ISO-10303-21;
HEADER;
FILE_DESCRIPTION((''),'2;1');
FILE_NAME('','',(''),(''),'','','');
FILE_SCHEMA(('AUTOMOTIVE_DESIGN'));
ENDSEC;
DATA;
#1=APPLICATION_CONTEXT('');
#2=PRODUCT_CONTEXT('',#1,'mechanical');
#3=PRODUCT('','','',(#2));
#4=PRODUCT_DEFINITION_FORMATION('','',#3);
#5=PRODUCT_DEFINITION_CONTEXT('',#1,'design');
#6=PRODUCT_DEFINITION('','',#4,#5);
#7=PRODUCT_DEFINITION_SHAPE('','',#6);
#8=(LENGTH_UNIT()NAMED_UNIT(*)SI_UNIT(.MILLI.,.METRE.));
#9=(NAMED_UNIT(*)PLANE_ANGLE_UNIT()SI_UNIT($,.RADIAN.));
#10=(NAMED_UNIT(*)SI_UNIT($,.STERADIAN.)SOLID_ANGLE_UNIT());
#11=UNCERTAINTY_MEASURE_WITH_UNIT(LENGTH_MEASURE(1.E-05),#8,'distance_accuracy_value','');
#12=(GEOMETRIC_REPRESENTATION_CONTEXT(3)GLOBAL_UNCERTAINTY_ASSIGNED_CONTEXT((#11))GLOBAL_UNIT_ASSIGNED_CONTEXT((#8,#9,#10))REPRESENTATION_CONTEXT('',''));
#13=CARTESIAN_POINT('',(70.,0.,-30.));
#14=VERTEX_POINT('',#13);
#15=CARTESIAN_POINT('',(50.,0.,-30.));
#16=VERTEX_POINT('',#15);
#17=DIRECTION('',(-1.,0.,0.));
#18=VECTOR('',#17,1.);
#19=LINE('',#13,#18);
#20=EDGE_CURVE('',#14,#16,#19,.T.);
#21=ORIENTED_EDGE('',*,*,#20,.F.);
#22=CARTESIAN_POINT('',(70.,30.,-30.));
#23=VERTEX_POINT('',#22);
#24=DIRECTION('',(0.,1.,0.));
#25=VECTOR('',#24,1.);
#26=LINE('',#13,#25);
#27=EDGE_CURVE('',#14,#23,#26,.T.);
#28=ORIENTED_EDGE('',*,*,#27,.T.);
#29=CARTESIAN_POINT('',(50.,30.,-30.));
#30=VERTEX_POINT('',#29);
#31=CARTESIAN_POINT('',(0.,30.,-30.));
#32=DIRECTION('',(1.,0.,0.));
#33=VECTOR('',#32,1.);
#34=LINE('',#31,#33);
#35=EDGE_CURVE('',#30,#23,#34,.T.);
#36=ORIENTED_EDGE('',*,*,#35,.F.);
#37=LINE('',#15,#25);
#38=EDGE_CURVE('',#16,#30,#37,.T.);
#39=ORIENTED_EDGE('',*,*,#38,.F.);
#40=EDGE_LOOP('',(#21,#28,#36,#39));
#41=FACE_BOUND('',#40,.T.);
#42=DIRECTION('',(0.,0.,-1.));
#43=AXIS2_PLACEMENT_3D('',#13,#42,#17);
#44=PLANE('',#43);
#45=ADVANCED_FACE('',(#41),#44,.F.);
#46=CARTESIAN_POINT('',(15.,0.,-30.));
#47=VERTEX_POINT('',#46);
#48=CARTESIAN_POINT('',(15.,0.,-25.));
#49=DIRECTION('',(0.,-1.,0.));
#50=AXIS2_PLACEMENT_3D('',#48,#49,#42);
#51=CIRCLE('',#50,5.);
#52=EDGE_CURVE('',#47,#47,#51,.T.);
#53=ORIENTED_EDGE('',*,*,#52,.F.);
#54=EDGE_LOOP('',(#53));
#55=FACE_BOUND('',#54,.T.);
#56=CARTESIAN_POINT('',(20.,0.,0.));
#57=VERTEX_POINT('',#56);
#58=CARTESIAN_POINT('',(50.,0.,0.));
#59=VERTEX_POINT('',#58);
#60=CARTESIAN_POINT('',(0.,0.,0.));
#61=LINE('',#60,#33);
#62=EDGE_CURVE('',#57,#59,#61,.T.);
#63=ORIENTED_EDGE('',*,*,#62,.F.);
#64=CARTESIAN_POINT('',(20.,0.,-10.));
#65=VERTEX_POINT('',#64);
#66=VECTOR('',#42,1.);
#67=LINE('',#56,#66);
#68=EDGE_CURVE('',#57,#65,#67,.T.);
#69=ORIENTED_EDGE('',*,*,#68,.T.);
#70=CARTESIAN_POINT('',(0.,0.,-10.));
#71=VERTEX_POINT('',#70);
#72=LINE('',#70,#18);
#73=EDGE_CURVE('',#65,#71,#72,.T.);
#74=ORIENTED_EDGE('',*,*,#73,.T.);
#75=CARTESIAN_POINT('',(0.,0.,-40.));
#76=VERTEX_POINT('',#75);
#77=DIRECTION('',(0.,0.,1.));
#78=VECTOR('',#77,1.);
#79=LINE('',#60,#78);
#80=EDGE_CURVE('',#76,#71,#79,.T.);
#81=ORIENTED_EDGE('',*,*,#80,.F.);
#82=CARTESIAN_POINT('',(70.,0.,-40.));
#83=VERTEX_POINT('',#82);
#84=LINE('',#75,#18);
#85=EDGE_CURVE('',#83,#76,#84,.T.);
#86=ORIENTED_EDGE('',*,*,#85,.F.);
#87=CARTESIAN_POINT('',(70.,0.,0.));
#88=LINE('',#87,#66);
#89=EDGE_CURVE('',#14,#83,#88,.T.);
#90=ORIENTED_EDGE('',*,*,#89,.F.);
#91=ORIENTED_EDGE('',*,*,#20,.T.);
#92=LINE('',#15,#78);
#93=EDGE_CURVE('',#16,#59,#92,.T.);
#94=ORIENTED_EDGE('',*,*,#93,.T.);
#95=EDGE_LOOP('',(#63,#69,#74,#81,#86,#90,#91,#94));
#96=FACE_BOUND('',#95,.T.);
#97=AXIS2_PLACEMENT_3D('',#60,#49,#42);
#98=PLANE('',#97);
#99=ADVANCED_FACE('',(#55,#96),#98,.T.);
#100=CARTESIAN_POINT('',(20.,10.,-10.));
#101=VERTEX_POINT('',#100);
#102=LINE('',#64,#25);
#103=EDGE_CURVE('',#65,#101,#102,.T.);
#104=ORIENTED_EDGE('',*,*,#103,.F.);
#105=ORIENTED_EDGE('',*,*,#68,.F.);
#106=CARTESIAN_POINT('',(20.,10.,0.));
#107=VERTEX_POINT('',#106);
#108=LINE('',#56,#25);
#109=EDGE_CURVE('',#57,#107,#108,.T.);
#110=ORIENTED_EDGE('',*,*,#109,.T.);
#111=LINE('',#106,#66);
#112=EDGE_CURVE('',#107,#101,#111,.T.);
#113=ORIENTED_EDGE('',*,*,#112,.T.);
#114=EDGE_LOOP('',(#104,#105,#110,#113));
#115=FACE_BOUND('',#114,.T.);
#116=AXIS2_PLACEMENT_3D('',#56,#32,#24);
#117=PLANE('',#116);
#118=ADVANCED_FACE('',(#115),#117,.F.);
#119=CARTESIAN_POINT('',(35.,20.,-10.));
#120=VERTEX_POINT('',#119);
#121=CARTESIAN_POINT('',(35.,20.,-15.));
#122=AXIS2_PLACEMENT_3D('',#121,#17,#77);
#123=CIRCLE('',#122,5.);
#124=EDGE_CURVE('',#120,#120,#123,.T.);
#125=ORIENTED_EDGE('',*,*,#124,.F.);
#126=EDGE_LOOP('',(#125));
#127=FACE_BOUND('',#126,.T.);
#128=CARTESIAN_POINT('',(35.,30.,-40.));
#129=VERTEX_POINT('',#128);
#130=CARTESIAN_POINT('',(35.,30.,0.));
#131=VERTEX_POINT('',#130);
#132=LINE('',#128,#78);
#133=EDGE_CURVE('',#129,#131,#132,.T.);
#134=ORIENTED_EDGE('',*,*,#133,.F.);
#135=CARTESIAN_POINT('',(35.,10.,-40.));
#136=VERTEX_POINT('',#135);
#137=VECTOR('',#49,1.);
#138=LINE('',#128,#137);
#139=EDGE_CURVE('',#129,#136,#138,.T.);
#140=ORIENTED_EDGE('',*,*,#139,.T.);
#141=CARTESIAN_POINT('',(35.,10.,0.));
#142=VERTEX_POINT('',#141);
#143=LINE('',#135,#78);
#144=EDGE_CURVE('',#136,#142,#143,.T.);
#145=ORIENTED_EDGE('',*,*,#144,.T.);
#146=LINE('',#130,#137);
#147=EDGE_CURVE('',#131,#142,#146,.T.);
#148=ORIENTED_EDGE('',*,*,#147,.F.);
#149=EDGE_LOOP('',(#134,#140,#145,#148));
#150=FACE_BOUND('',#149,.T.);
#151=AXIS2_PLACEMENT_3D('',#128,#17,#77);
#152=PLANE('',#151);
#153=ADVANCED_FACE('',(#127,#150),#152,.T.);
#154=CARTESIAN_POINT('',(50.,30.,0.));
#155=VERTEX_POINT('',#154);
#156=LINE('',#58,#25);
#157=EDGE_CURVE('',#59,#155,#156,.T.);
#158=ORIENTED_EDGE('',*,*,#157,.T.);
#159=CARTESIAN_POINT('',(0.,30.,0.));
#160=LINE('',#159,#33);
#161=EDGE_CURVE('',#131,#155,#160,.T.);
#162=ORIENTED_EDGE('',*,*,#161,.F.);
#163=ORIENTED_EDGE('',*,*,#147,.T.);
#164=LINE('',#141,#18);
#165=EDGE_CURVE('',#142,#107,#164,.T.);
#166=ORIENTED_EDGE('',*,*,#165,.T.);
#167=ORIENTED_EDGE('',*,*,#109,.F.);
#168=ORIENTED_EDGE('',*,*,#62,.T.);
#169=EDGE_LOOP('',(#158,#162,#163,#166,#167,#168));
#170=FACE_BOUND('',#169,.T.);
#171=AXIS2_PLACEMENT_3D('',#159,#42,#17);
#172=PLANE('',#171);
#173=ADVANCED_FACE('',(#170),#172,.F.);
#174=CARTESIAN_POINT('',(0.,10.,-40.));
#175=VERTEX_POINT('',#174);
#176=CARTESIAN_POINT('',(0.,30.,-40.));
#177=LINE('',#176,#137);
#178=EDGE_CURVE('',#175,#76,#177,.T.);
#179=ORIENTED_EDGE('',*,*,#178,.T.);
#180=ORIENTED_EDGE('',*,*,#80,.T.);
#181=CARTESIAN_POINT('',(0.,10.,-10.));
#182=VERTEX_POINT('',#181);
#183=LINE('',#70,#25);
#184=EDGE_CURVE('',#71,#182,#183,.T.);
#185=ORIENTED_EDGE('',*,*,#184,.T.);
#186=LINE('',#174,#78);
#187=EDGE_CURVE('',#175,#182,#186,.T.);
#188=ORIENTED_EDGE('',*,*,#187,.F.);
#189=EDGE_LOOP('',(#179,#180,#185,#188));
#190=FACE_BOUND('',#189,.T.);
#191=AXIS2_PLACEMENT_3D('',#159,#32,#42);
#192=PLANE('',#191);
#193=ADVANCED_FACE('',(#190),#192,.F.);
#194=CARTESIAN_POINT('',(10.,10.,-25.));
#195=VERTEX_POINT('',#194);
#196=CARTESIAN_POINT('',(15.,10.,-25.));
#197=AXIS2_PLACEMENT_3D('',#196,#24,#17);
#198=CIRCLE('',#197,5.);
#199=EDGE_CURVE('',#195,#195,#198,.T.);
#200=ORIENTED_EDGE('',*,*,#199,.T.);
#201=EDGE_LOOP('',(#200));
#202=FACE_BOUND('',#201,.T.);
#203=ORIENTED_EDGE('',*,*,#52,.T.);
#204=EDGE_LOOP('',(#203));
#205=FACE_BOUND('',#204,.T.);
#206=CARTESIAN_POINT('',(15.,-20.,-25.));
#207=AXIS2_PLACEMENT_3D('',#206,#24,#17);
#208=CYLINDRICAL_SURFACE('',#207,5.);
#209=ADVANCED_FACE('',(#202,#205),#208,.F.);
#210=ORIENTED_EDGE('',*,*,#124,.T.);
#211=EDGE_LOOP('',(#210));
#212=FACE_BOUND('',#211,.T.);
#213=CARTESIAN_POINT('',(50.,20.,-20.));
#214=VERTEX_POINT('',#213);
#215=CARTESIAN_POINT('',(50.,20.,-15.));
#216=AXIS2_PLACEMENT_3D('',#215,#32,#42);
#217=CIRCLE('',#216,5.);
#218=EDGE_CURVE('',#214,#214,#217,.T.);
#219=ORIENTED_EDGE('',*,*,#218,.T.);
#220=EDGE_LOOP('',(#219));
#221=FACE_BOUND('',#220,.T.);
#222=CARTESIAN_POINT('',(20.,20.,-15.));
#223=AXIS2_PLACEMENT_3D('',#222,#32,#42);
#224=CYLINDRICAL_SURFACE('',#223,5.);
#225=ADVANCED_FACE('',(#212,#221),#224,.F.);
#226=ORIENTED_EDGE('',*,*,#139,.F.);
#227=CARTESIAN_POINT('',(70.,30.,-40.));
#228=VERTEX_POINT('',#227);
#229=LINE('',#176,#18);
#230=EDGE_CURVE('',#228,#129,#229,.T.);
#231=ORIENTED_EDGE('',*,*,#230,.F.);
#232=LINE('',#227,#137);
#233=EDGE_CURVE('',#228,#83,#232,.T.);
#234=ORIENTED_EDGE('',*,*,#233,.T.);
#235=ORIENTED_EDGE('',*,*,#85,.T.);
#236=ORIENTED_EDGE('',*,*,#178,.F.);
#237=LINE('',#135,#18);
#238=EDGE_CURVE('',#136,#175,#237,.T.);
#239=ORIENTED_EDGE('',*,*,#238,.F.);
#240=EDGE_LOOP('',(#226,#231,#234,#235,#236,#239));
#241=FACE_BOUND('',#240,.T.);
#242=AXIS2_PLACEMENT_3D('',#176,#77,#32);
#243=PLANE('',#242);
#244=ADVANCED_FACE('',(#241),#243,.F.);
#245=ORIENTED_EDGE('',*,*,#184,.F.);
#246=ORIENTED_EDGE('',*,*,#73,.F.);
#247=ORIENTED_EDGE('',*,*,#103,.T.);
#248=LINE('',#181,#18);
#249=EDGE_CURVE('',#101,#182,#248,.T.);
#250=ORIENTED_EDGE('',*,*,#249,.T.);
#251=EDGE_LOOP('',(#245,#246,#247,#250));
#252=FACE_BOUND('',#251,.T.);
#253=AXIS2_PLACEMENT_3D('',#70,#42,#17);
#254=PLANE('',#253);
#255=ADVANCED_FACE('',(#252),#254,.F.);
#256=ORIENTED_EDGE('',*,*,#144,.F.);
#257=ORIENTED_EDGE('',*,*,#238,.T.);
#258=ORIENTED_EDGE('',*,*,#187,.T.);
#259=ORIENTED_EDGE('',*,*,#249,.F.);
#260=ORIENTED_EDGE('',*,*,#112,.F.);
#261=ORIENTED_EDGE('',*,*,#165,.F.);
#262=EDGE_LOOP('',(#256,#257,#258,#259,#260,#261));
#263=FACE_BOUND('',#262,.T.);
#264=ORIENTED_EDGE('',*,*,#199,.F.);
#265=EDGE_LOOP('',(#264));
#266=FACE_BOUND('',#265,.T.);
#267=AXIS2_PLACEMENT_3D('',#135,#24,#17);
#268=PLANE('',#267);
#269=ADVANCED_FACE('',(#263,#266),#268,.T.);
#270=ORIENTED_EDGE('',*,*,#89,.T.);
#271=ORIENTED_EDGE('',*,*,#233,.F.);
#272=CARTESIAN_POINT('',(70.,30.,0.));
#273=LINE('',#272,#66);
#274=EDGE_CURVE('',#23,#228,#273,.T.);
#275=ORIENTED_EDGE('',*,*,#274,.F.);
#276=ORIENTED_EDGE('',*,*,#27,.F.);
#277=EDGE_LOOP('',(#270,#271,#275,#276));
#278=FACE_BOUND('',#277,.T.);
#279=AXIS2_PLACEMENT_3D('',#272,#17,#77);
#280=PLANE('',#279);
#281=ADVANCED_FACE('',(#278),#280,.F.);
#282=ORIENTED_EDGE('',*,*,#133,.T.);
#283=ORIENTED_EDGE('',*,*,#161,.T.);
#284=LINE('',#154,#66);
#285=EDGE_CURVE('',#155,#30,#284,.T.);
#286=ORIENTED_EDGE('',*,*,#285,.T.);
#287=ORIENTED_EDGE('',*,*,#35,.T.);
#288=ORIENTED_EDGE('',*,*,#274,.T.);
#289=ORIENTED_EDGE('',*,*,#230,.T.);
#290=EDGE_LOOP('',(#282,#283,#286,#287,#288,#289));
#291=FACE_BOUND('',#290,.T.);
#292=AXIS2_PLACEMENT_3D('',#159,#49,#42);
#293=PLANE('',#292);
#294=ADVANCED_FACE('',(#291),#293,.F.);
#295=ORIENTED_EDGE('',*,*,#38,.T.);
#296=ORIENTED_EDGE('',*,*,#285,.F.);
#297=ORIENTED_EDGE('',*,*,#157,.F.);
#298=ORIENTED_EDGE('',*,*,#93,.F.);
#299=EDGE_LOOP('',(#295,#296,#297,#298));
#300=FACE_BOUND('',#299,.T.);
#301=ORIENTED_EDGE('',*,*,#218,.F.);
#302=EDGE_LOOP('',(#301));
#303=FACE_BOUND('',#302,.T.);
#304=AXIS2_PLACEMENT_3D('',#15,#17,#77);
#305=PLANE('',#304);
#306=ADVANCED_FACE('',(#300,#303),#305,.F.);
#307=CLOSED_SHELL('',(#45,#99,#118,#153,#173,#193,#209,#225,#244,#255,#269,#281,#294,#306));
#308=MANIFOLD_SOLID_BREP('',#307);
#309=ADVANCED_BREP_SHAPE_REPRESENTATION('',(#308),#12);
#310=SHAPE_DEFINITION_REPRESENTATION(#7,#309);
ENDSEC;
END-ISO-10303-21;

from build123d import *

# Parameters (mm, degrees)
SKETCH1_W               = 70
SKETCH1_H               = 40
BOSS_EXTRUDE1_DEPTH     = 30
SKETCH3_W               = 20
SKETCH3_H               = 30
CUT_EXTRUDE1_DEPTH      = 1
CUT_EXTRUDE1_DEPTH_BACK = 31
SKETCH4_W               = 35
SKETCH4_H               = 20
CUT_EXTRUDE2_DEPTH      = 41
SKETCH5_R               = 5
CUT_EXTRUDE3_DEPTH      = 30
SKETCH6_W               = 20
SKETCH6_H               = 10
CUT_EXTRUDE4_DEPTH      = 11
SKETCH7_R               = 5
CUT_EXTRUDE5_DEPTH      = 30


with BuildPart() as part:
    # Sketch1 → Boss-Extrude1 (new body)
    with BuildSketch(Plane(origin=(0, 0, 0), x_dir=(1, 0, 0), z_dir=(0, 1, 0))):
        with Locations((35, 20)):
            Rectangle(SKETCH1_W, SKETCH1_H)
    extrude(amount=BOSS_EXTRUDE1_DEPTH)

    # Sketch3 → Cut-Extrude1 (cut, two sides)
    with BuildSketch(Plane(origin=(0, 30, 0), x_dir=(1, 0, 0), z_dir=(0, 1, 0))) as cut_extrude1_sk:
        with Locations((60, 15)):
            Rectangle(SKETCH3_W, SKETCH3_H)
    extrude(amount=CUT_EXTRUDE1_DEPTH, mode=Mode.SUBTRACT)
    extrude(cut_extrude1_sk.sketch, amount=-CUT_EXTRUDE1_DEPTH_BACK, mode=Mode.SUBTRACT)

    # Sketch4 → Cut-Extrude2 (cut, through all)
    with BuildSketch(Plane.XY):
        with Locations((17.5, 20)):
            Rectangle(SKETCH4_W, SKETCH4_H)
    extrude(amount=-CUT_EXTRUDE2_DEPTH, mode=Mode.SUBTRACT)

    # Sketch5 → Cut-Extrude3 (cut)
    with BuildSketch(Plane(origin=(50, 0, 0), x_dir=(0, 0, -1), z_dir=(1, 0, 0))):
        with Locations((15, 20)):
            Circle(SKETCH5_R)
    extrude(amount=-CUT_EXTRUDE3_DEPTH, mode=Mode.SUBTRACT)

    # Sketch6 → Cut-Extrude4 (cut, through all)
    with BuildSketch(Plane(origin=(0, 10, 0), x_dir=(1, 0, 0), z_dir=(0, 1, 0))):
        with Locations((10, 5)):
            Rectangle(SKETCH6_W, SKETCH6_H)
    extrude(amount=-CUT_EXTRUDE4_DEPTH, mode=Mode.SUBTRACT)

    # Sketch7 → Cut-Extrude5 (cut)
    with BuildSketch(Plane(origin=(0, 10, 0), x_dir=(1, 0, 0), z_dir=(0, 1, 0))):
        with Locations((15, 25)):
            Circle(SKETCH7_R)
    extrude(amount=-CUT_EXTRUDE5_DEPTH, mode=Mode.SUBTRACT)


solid = part.part
